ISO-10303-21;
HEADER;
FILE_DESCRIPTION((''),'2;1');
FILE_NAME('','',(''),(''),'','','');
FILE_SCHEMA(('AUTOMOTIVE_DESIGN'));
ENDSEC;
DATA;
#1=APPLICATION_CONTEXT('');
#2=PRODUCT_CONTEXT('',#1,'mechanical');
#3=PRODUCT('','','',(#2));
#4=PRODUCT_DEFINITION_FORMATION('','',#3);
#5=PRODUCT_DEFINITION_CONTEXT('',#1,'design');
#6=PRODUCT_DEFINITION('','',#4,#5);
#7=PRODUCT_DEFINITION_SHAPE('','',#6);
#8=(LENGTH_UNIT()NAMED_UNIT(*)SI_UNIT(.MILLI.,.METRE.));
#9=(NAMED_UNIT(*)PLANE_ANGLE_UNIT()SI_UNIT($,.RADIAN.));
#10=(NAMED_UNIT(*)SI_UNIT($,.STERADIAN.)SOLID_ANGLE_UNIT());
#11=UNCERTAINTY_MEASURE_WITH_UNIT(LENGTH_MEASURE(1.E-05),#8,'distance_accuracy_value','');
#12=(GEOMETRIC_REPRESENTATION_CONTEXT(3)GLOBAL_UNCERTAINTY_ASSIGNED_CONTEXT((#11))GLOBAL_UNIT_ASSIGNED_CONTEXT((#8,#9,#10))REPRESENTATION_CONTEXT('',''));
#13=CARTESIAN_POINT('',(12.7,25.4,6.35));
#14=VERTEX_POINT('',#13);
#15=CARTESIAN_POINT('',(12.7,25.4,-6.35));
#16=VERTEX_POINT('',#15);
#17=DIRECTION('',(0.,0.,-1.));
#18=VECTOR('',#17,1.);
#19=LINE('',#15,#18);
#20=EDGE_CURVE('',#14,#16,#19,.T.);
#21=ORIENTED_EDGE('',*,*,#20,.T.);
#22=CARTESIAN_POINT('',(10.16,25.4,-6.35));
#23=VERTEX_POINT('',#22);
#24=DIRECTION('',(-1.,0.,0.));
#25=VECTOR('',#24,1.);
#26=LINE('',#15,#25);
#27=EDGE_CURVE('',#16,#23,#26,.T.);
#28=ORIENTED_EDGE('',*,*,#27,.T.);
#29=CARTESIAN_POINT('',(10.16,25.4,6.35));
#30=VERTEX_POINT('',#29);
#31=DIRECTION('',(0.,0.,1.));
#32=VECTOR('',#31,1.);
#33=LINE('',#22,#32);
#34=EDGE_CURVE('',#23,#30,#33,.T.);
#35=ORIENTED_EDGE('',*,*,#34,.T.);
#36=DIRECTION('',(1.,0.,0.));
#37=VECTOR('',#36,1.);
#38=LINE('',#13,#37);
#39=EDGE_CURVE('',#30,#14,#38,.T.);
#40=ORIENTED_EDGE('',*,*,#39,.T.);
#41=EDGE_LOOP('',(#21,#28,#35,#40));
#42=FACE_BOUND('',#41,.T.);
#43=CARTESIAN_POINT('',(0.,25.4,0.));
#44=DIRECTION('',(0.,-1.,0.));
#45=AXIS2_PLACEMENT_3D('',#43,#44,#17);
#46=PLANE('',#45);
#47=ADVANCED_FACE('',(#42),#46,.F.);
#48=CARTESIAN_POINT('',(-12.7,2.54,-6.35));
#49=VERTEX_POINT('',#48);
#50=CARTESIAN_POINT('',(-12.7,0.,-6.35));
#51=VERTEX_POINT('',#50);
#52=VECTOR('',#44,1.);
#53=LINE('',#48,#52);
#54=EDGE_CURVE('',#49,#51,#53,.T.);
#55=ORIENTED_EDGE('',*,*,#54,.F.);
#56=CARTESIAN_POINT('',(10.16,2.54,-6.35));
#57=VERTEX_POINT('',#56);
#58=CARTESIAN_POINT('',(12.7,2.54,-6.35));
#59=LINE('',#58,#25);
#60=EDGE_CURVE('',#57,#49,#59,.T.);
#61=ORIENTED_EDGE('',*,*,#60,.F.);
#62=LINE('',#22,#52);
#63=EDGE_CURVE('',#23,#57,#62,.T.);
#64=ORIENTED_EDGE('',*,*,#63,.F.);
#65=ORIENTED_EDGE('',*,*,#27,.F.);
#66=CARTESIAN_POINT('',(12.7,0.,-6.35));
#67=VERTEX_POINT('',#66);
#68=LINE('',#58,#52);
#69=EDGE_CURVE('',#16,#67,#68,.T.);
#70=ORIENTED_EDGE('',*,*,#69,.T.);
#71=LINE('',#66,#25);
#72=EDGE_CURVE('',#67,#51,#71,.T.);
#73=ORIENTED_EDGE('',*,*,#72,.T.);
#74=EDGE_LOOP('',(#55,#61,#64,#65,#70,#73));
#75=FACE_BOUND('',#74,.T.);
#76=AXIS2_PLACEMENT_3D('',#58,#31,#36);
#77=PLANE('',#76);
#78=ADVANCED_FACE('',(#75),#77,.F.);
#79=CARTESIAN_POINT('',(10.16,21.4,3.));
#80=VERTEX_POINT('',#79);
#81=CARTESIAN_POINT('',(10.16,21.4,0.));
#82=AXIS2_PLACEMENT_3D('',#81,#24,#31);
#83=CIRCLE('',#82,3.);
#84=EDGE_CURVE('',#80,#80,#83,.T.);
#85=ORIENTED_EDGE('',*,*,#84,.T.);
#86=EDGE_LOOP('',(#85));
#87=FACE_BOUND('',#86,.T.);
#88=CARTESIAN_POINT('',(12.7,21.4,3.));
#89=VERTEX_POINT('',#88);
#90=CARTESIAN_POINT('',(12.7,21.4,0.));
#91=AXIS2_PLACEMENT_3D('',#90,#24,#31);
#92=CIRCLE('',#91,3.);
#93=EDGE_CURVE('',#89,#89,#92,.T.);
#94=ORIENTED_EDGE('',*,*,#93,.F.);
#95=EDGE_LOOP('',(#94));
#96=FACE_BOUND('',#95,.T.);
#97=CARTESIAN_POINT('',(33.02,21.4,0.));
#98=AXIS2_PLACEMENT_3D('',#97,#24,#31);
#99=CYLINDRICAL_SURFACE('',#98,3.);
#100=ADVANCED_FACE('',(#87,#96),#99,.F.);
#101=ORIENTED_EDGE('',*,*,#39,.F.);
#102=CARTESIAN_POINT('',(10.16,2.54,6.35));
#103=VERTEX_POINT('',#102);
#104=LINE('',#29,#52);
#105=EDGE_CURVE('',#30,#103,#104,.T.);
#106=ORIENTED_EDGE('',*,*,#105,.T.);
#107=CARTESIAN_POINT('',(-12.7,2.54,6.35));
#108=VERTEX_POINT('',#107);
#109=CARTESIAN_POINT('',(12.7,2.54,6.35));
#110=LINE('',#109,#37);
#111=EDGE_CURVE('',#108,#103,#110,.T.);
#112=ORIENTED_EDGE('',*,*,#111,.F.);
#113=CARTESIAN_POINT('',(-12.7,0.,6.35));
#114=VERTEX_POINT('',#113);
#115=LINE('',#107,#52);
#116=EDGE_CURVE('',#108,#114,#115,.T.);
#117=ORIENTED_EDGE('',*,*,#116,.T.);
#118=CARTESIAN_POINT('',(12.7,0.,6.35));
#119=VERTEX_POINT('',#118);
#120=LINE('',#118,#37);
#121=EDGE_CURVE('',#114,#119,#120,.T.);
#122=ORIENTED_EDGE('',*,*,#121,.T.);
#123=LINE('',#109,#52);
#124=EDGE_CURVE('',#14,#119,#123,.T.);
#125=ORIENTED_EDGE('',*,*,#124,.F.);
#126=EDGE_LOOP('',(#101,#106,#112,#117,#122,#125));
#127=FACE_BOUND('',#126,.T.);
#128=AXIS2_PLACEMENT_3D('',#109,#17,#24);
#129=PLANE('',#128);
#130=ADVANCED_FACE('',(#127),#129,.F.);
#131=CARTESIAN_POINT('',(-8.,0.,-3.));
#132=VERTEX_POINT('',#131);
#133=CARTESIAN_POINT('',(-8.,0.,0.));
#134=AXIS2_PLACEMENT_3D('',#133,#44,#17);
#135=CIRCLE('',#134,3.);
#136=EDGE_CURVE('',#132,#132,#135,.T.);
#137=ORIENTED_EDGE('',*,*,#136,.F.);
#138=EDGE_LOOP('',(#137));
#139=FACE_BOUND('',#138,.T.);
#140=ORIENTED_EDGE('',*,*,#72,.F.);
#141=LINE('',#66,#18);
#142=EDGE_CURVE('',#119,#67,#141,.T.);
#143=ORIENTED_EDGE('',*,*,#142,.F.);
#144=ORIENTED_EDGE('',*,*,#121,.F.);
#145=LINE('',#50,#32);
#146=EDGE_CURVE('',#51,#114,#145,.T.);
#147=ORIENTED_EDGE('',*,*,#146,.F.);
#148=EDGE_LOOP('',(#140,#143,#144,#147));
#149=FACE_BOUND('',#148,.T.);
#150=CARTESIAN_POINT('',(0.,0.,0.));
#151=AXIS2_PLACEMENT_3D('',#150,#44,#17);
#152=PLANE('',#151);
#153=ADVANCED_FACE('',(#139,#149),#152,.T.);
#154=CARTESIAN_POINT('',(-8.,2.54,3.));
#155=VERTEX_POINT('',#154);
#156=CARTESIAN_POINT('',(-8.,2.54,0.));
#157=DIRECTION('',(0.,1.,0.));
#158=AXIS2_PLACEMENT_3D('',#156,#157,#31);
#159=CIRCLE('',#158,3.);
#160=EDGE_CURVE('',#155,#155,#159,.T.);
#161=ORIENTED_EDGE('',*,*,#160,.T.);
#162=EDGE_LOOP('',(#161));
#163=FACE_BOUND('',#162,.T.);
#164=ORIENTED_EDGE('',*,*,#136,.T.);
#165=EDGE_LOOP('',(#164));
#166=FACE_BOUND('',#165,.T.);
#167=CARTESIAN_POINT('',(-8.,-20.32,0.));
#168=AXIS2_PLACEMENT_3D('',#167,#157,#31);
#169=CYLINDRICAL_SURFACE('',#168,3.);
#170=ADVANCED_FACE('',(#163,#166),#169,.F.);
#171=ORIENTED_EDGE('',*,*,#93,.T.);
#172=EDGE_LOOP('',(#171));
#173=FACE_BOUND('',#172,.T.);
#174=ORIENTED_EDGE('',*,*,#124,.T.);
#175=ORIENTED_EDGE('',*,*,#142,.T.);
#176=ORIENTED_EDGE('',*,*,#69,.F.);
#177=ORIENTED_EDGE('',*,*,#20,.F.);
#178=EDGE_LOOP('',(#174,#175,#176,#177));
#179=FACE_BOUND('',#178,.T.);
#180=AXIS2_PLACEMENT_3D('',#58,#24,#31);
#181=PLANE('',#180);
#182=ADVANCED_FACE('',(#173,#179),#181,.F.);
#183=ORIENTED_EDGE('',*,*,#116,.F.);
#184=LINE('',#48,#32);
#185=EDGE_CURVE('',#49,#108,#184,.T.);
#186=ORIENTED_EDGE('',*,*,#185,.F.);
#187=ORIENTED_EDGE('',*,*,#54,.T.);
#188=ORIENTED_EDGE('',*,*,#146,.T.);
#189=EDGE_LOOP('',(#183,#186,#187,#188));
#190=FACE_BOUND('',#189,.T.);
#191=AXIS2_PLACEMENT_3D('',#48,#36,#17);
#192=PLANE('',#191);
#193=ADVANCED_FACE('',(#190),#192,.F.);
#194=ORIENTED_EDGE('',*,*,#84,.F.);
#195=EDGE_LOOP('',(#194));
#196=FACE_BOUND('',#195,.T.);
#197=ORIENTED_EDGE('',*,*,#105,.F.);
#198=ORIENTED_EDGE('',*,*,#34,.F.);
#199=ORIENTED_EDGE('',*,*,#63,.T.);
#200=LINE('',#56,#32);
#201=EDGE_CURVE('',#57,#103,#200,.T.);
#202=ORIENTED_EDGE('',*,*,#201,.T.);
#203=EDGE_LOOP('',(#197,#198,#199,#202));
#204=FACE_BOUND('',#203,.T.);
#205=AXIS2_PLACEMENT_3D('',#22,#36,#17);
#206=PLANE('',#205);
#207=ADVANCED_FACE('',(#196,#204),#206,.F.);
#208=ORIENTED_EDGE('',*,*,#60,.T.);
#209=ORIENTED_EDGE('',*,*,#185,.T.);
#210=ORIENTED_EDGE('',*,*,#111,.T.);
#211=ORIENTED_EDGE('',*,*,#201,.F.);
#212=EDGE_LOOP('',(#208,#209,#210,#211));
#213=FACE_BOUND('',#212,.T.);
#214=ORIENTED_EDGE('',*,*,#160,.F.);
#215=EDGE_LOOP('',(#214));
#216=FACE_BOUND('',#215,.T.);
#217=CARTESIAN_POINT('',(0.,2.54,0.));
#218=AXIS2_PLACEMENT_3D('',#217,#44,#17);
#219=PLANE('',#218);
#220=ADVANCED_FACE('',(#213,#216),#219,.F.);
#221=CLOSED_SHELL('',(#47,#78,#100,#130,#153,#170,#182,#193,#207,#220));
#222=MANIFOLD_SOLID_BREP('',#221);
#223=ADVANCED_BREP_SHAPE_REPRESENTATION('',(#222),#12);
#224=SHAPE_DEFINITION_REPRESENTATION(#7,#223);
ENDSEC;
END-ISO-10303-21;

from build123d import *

# Parameters (mm, degrees)
SKETCH1_W           = 25.4
SKETCH1_H           = 12.7
BOSS_EXTRUDE1_DEPTH = 2.54
SKETCH2_W           = 2.54
SKETCH2_H           = 12.7
BOSS_EXTRUDE2_DEPTH = 22.86
SKETCH3_R           = 3
CUT_EXTRUDE1_DEPTH  = 22.86
SKETCH4_R           = 3
CUT_EXTRUDE2_DEPTH  = 22.86


with BuildPart() as part:
    # Sketch1 → Boss-Extrude1 (new body)
    with BuildSketch(Plane(origin=(0, 0, 0), x_dir=(1, 0, 0), z_dir=(0, 1, 0))):
        Rectangle(SKETCH1_W, SKETCH1_H)
    extrude(amount=BOSS_EXTRUDE1_DEPTH)

    # Sketch2 → Boss-Extrude2 (add)
    with BuildSketch(Plane(origin=(0, 2.54, 0), x_dir=(1, 0, 0), z_dir=(0, 1, 0))):
        with Locations((11.43, 0)):
            Rectangle(SKETCH2_W, SKETCH2_H)
    extrude(amount=BOSS_EXTRUDE2_DEPTH)

    # Sketch3 → Cut-Extrude1 (cut)
    with BuildSketch(Plane(origin=(0, 2.54, 0), x_dir=(1, 0, 0), z_dir=(0, 1, 0))):
        with Locations((-8, 0)):
            Circle(SKETCH3_R)
    extrude(amount=-CUT_EXTRUDE1_DEPTH, mode=Mode.SUBTRACT)

    # Sketch4 → Cut-Extrude2 (cut)
    with BuildSketch(Plane.ZY.offset(-10.16)):
        with Locations((0, 21.4)):
            Circle(SKETCH4_R)
    extrude(amount=-CUT_EXTRUDE2_DEPTH, mode=Mode.SUBTRACT)


solid = part.part
